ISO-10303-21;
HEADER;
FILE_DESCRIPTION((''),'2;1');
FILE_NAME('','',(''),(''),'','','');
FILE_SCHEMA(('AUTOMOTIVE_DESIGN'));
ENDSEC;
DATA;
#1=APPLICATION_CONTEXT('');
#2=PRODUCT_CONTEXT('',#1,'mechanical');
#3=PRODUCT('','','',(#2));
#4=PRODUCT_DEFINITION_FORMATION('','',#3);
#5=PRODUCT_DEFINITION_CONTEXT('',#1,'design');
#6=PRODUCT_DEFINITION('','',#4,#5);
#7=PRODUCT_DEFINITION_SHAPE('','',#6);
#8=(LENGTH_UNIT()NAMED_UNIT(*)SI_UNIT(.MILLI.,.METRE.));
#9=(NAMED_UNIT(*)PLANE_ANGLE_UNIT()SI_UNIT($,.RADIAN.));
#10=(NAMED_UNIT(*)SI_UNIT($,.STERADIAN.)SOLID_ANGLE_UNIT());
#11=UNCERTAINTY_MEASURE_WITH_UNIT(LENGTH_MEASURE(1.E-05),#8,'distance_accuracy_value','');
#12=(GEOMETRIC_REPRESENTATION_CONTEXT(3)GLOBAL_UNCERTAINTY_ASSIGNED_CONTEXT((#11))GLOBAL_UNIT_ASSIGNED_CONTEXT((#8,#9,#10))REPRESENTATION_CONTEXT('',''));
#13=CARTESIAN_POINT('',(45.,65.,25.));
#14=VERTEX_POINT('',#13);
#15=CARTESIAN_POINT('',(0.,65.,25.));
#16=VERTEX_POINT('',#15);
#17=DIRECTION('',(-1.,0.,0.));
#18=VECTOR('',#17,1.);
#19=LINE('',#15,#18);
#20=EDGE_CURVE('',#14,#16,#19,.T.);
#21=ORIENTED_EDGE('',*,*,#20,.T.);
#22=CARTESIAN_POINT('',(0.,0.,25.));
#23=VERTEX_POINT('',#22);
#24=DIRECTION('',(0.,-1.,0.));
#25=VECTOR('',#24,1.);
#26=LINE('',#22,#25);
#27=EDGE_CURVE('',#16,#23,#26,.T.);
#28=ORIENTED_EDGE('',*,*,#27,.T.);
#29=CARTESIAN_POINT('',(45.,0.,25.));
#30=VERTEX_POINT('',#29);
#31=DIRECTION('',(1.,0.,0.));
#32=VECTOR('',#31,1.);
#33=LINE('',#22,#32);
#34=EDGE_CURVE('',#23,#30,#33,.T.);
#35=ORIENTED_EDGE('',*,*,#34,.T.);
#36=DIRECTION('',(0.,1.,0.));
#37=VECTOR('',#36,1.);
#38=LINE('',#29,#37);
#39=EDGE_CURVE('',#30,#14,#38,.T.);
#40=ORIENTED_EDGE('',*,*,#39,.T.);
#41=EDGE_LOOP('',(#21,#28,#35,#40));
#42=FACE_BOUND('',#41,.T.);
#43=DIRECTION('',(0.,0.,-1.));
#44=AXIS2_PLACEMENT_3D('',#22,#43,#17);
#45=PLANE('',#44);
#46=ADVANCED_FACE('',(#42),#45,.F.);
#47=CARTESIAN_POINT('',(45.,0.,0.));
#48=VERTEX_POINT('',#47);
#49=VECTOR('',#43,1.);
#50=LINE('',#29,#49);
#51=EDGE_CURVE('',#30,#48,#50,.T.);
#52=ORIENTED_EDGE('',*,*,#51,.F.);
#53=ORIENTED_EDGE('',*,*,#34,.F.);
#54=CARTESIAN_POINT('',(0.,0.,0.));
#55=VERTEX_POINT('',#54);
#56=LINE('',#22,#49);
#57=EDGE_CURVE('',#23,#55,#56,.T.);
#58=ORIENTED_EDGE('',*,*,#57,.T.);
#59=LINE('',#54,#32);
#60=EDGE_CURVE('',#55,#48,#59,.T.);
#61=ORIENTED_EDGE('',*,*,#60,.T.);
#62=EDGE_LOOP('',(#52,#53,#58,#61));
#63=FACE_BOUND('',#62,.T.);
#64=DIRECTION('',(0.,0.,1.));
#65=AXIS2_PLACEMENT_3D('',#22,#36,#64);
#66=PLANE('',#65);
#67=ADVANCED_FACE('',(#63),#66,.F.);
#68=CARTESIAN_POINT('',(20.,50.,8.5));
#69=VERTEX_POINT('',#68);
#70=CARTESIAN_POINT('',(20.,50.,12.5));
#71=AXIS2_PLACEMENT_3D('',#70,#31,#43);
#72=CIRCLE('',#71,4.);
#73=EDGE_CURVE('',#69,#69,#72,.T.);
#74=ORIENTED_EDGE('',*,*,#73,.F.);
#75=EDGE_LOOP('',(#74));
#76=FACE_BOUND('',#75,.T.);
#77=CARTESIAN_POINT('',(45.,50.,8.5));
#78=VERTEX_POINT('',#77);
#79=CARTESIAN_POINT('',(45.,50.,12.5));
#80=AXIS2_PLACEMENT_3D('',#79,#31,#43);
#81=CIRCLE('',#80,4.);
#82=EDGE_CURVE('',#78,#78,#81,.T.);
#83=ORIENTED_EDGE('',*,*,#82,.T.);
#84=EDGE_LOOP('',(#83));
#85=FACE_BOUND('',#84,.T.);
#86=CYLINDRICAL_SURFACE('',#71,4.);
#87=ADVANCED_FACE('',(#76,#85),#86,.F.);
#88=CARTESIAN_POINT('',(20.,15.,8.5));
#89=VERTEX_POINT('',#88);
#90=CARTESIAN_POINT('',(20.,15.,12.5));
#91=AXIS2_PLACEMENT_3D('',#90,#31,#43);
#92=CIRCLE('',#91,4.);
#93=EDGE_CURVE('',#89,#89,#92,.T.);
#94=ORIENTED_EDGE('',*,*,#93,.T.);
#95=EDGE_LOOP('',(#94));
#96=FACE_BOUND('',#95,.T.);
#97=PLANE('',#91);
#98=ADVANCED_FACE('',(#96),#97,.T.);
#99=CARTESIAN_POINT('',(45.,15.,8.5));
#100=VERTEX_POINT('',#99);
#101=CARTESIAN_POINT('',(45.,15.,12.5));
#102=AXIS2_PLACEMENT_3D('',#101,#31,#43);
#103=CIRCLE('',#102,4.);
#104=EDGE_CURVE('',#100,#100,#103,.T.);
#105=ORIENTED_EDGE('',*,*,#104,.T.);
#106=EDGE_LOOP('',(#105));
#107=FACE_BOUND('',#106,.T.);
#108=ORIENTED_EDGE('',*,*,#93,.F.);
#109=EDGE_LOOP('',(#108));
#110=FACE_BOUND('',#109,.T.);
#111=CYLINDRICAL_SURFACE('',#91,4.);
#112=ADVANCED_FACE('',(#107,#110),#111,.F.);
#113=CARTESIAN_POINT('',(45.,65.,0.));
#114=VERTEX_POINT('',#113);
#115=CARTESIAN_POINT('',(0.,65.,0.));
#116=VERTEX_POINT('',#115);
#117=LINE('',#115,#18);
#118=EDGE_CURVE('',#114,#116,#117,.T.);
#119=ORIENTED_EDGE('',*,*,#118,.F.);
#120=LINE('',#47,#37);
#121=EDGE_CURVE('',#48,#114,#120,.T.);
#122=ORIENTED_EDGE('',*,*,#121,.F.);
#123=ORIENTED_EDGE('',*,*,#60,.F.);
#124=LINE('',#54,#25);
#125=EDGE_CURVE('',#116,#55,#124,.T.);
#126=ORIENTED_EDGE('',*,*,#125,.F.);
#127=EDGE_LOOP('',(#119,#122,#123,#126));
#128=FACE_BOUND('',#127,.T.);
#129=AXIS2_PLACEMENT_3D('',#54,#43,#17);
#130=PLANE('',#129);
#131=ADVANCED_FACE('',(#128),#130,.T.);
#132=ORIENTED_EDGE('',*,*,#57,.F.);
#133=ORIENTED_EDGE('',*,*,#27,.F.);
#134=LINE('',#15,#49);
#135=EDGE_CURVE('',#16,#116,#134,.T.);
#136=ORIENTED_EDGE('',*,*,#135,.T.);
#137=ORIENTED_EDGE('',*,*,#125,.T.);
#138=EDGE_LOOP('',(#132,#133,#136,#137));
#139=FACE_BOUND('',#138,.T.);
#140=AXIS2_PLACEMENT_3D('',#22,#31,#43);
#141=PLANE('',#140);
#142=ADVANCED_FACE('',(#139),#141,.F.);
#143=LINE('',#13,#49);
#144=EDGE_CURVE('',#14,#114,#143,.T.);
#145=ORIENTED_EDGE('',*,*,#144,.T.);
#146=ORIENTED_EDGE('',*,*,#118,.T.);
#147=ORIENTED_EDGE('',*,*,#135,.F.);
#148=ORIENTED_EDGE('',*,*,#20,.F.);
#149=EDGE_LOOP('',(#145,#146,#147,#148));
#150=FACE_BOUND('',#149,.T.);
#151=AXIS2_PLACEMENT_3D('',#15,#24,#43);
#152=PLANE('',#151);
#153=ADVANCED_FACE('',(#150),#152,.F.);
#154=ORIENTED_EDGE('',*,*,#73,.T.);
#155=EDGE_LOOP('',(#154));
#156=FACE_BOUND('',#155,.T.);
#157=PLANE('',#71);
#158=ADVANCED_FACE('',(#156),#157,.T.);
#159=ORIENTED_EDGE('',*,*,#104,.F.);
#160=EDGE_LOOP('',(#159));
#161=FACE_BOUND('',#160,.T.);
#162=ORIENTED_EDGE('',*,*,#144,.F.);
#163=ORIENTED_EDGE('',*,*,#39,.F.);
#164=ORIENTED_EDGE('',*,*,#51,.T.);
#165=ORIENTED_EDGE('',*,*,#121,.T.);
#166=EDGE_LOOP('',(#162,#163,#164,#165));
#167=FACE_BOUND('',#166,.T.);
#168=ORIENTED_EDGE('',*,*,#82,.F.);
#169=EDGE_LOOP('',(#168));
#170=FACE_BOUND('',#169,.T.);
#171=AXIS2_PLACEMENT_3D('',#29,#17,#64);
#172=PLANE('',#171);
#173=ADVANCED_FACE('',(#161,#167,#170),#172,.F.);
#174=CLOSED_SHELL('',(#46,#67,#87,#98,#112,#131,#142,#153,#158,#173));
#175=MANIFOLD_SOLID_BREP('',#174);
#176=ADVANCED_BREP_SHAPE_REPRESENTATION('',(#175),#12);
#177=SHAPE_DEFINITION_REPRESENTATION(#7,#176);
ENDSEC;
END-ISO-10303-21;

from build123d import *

# Parameters (mm, degrees)
SKETCH1_W           = 45
SKETCH1_H           = 65
BOSS_EXTRUDE1_DEPTH = 25
SKETCH2_R           = 4
CUT_EXTRUDE1_DEPTH  = 25


with BuildPart() as part:
    # Sketch1 → Boss-Extrude1 (new body)
    with BuildSketch(Plane.XY):
        with Locations((22.5, 32.5)):
            Rectangle(SKETCH1_W, SKETCH1_H)
    extrude(amount=BOSS_EXTRUDE1_DEPTH)

    # Sketch2 → Cut-Extrude1 (cut)
    with BuildSketch(Plane(origin=(45, 0, 0), x_dir=(0, 0, -1), z_dir=(1, 0, 0))):
        with Locations((-12.5, 50)):
            Circle(SKETCH2_R)
        with Locations((-12.5, 15)):
            Circle(SKETCH2_R)
    extrude(amount=-CUT_EXTRUDE1_DEPTH, mode=Mode.SUBTRACT)


solid = part.part
